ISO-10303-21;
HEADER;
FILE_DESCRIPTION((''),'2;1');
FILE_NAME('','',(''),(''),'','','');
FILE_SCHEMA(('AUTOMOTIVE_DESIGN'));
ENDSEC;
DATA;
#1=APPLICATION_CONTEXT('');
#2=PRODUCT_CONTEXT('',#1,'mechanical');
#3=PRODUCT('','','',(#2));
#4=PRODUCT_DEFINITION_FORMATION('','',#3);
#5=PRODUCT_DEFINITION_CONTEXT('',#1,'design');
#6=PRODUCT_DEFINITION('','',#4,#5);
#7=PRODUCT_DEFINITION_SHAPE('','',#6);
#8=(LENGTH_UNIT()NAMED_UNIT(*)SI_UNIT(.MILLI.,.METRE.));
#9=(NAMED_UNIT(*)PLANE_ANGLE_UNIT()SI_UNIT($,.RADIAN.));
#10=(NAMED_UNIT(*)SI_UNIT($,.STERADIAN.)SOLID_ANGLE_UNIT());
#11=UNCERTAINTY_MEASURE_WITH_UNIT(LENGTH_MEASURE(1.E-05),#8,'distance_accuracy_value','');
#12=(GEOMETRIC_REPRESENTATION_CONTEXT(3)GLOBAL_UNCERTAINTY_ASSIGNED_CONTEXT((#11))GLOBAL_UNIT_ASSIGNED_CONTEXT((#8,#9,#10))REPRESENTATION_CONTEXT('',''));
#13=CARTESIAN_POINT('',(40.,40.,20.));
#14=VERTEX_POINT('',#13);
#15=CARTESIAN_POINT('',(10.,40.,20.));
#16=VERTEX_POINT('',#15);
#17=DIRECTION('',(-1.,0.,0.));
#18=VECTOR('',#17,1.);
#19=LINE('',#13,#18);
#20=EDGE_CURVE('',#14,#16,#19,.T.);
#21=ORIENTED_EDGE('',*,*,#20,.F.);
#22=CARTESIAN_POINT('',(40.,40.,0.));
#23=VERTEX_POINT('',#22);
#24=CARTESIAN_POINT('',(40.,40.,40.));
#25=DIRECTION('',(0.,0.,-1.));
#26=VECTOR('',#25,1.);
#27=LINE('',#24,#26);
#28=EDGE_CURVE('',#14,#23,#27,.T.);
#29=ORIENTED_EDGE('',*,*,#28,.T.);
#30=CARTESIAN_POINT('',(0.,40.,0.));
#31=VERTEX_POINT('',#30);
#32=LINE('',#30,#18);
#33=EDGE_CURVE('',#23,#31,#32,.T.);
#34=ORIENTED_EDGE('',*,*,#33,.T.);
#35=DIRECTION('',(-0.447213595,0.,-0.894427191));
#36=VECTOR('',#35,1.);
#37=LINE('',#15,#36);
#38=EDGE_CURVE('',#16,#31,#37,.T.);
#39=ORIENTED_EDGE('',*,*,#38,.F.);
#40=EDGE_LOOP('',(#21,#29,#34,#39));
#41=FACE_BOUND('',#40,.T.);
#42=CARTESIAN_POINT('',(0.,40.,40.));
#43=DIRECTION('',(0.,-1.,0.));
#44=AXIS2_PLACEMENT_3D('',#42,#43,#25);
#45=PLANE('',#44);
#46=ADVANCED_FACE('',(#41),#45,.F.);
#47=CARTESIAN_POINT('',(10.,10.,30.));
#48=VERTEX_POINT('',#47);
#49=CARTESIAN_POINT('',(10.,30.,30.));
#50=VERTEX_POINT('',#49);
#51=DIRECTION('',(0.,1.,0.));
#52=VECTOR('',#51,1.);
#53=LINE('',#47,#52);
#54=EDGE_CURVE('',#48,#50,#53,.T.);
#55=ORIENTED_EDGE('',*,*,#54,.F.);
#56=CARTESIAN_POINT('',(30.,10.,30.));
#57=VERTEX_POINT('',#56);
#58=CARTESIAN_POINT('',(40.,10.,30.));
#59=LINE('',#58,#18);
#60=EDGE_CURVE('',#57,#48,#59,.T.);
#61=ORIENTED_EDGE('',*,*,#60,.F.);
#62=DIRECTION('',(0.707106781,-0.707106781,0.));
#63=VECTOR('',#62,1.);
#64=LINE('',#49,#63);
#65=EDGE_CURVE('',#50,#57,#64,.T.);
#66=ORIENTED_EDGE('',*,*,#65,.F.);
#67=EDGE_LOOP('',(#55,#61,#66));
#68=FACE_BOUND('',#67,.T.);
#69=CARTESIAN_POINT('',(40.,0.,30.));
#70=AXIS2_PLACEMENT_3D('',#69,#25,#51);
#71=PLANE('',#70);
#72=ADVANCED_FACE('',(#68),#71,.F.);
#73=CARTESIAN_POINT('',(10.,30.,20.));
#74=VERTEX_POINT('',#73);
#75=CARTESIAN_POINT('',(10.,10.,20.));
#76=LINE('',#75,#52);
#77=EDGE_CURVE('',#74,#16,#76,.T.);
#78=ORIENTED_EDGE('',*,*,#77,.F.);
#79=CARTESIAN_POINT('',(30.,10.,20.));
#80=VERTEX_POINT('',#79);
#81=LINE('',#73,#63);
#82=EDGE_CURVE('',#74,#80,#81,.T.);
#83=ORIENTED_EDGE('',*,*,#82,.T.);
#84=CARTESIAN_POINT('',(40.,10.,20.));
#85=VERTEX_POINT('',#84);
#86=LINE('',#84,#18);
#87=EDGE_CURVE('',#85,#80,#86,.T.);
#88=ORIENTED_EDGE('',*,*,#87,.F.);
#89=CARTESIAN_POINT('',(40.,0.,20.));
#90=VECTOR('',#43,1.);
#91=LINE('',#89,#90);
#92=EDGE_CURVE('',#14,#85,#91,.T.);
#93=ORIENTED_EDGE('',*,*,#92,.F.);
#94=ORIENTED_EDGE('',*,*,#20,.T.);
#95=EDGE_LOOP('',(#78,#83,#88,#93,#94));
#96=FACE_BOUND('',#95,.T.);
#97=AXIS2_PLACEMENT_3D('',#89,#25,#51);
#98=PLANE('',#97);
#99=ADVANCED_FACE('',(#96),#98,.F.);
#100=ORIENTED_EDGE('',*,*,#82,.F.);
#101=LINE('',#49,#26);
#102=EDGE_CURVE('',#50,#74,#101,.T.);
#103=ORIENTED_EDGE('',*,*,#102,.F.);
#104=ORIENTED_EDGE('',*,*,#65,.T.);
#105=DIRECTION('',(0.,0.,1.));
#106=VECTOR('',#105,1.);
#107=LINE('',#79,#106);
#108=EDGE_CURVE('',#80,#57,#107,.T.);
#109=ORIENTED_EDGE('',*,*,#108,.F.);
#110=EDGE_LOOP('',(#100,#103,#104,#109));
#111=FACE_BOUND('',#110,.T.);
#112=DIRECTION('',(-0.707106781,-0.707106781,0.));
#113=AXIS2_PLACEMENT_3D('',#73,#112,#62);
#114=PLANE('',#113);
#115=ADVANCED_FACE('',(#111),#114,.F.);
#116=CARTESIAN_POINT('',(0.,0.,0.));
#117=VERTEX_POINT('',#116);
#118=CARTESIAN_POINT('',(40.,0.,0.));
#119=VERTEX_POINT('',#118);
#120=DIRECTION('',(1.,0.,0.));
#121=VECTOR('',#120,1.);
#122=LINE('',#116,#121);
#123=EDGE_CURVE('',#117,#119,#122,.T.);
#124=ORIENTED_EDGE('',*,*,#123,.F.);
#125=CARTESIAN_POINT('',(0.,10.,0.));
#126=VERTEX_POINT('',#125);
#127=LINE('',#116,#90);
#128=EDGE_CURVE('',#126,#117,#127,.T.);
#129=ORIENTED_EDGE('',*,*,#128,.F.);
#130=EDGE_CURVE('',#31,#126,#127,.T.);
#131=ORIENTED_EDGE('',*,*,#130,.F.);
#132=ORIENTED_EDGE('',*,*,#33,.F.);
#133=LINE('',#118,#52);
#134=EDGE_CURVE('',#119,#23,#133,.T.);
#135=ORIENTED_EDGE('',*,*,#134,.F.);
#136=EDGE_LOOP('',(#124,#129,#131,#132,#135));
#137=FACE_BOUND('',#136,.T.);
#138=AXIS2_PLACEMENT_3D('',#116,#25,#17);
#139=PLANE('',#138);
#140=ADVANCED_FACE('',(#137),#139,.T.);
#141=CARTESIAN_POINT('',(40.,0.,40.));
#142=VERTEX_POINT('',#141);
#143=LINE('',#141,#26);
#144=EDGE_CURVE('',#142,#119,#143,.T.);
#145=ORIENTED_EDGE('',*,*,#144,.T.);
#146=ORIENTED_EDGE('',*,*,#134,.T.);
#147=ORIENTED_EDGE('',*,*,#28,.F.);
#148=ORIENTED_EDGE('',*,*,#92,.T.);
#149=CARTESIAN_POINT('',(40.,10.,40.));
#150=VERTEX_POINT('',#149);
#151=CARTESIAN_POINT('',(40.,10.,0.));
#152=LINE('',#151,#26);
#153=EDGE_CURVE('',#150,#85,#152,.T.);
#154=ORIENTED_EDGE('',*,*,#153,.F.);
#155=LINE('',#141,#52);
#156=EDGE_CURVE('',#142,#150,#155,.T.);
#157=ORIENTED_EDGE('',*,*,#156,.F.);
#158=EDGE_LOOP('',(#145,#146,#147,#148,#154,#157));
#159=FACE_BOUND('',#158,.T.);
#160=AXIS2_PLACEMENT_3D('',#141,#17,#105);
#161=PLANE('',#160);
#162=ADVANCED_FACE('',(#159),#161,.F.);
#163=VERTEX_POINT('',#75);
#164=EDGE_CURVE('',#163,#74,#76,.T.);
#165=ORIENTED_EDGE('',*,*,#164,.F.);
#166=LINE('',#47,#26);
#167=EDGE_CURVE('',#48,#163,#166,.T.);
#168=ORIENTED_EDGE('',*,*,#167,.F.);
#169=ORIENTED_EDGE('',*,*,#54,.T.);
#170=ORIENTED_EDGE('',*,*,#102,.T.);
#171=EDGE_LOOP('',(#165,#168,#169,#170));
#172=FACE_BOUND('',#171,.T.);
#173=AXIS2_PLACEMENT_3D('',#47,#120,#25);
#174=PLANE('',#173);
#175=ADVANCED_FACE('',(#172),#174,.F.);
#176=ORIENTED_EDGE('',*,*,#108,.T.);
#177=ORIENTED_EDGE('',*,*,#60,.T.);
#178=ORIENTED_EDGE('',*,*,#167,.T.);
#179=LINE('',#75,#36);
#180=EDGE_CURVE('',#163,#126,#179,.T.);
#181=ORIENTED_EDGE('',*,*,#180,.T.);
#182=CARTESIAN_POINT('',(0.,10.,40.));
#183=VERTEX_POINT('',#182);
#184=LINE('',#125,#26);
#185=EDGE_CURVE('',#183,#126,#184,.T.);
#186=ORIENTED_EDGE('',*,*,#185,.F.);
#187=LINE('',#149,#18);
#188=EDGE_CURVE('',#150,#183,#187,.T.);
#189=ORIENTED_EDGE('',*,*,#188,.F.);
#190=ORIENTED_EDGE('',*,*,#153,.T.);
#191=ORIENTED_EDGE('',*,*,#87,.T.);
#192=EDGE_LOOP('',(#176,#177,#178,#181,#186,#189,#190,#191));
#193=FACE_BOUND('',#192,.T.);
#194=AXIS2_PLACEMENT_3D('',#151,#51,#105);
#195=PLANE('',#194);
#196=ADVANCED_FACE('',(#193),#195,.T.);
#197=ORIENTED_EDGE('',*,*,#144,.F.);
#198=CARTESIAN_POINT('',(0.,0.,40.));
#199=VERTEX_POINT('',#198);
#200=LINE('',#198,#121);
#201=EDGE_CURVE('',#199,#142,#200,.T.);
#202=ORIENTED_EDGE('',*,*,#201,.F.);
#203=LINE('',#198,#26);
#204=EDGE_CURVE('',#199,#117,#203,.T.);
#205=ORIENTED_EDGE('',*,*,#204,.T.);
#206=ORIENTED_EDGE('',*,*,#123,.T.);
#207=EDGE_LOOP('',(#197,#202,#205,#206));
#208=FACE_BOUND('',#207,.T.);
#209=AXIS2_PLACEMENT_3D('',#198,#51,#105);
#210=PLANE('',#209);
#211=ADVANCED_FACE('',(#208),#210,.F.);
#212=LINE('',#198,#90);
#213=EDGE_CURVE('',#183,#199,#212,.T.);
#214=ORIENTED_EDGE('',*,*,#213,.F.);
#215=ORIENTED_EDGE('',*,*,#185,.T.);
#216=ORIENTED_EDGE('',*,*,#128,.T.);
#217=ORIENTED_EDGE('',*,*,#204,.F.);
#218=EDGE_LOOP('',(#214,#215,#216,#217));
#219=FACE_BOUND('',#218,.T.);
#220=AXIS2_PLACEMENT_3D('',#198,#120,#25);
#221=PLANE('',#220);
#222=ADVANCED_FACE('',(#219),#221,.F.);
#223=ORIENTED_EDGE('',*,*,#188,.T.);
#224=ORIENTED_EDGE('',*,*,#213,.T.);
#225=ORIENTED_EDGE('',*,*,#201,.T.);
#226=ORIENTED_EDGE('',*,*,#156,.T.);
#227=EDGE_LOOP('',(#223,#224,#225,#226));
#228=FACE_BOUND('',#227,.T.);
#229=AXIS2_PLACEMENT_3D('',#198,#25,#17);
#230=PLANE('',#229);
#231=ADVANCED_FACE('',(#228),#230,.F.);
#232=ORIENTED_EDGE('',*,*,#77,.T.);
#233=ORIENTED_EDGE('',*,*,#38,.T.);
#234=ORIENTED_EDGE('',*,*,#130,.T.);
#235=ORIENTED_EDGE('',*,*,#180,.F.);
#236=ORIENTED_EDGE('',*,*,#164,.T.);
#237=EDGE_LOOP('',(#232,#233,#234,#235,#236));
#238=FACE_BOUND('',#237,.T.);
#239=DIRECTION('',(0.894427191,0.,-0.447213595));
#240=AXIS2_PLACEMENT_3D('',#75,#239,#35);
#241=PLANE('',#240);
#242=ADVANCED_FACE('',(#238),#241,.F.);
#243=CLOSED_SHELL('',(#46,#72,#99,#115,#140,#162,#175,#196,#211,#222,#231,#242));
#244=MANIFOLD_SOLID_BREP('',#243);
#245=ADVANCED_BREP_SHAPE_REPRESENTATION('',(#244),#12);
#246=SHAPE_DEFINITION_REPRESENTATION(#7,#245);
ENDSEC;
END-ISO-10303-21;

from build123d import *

# Parameters (mm, degrees)
SKETCH1_W           = 40
SKETCH1_H           = 40
BOSS_EXTRUDE1_DEPTH = 40
SKETCH2_W           = 10
SKETCH2_H           = 10
CUT_EXTRUDE1_DEPTH  = 40
SKETCH3_W           = 10
SKETCH3_H           = 10
CUT_EXTRUDE2_DEPTH  = 20
SKETCH5_W           = 10
SKETCH5_H           = 10
CUT_EXTRUDE3_DEPTH  = 20
CUT_EXTRUDE5_DEPTH  = 30
CUT_EXTRUDE6_DEPTH  = 10


with BuildPart() as part:
    # Sketch1 → Boss-Extrude1 (new body)
    with BuildSketch(Plane.XY):
        with Locations((20, 20)):
            Rectangle(SKETCH1_W, SKETCH1_H)
    extrude(amount=BOSS_EXTRUDE1_DEPTH)

    # Sketch2 → Cut-Extrude1 (cut)
    with BuildSketch(Plane.ZY):
        with Locations((25, 35)):
            Rectangle(SKETCH2_W, SKETCH2_H)
        Polygon((40, 10), (40, 40), (30, 40), (30, 30), (30, 10), align=None)
    extrude(amount=-CUT_EXTRUDE1_DEPTH, mode=Mode.SUBTRACT)

    # Sketch3 → Cut-Extrude2 (cut)
    with BuildSketch(Plane(origin=(0, 30, 0), x_dir=(1, 0, 0), z_dir=(0, 1, 0))):
        with Locations((35, -25)):
            Rectangle(SKETCH3_W, SKETCH3_H)
    extrude(amount=-CUT_EXTRUDE2_DEPTH, mode=Mode.SUBTRACT)

    # Sketch5 → Cut-Extrude3 (cut)
    with BuildSketch(Plane(origin=(0, 30, 0), x_dir=(1, 0, 0), z_dir=(0, 1, 0))):
        with Locations((5, -25)):
            Rectangle(SKETCH5_W, SKETCH5_H)
    extrude(amount=-CUT_EXTRUDE3_DEPTH, mode=Mode.SUBTRACT)

    # Sketch6 → Cut-Extrude5 (cut)
    with BuildSketch(Plane(origin=(0, 40, 0), x_dir=(1, 0, 0), z_dir=(0, 1, 0))):
        Polygon((10, -20), (0, 0), (0, -20), align=None)
    extrude(amount=-CUT_EXTRUDE5_DEPTH, mode=Mode.SUBTRACT)

    # Sketch7 → Cut-Extrude6 (cut)
    with BuildSketch(Plane.XY.offset(30)):
        Polygon((10, 30), (30, 10), (30, 30), align=None)
    extrude(amount=-CUT_EXTRUDE6_DEPTH, mode=Mode.SUBTRACT)


solid = part.part
